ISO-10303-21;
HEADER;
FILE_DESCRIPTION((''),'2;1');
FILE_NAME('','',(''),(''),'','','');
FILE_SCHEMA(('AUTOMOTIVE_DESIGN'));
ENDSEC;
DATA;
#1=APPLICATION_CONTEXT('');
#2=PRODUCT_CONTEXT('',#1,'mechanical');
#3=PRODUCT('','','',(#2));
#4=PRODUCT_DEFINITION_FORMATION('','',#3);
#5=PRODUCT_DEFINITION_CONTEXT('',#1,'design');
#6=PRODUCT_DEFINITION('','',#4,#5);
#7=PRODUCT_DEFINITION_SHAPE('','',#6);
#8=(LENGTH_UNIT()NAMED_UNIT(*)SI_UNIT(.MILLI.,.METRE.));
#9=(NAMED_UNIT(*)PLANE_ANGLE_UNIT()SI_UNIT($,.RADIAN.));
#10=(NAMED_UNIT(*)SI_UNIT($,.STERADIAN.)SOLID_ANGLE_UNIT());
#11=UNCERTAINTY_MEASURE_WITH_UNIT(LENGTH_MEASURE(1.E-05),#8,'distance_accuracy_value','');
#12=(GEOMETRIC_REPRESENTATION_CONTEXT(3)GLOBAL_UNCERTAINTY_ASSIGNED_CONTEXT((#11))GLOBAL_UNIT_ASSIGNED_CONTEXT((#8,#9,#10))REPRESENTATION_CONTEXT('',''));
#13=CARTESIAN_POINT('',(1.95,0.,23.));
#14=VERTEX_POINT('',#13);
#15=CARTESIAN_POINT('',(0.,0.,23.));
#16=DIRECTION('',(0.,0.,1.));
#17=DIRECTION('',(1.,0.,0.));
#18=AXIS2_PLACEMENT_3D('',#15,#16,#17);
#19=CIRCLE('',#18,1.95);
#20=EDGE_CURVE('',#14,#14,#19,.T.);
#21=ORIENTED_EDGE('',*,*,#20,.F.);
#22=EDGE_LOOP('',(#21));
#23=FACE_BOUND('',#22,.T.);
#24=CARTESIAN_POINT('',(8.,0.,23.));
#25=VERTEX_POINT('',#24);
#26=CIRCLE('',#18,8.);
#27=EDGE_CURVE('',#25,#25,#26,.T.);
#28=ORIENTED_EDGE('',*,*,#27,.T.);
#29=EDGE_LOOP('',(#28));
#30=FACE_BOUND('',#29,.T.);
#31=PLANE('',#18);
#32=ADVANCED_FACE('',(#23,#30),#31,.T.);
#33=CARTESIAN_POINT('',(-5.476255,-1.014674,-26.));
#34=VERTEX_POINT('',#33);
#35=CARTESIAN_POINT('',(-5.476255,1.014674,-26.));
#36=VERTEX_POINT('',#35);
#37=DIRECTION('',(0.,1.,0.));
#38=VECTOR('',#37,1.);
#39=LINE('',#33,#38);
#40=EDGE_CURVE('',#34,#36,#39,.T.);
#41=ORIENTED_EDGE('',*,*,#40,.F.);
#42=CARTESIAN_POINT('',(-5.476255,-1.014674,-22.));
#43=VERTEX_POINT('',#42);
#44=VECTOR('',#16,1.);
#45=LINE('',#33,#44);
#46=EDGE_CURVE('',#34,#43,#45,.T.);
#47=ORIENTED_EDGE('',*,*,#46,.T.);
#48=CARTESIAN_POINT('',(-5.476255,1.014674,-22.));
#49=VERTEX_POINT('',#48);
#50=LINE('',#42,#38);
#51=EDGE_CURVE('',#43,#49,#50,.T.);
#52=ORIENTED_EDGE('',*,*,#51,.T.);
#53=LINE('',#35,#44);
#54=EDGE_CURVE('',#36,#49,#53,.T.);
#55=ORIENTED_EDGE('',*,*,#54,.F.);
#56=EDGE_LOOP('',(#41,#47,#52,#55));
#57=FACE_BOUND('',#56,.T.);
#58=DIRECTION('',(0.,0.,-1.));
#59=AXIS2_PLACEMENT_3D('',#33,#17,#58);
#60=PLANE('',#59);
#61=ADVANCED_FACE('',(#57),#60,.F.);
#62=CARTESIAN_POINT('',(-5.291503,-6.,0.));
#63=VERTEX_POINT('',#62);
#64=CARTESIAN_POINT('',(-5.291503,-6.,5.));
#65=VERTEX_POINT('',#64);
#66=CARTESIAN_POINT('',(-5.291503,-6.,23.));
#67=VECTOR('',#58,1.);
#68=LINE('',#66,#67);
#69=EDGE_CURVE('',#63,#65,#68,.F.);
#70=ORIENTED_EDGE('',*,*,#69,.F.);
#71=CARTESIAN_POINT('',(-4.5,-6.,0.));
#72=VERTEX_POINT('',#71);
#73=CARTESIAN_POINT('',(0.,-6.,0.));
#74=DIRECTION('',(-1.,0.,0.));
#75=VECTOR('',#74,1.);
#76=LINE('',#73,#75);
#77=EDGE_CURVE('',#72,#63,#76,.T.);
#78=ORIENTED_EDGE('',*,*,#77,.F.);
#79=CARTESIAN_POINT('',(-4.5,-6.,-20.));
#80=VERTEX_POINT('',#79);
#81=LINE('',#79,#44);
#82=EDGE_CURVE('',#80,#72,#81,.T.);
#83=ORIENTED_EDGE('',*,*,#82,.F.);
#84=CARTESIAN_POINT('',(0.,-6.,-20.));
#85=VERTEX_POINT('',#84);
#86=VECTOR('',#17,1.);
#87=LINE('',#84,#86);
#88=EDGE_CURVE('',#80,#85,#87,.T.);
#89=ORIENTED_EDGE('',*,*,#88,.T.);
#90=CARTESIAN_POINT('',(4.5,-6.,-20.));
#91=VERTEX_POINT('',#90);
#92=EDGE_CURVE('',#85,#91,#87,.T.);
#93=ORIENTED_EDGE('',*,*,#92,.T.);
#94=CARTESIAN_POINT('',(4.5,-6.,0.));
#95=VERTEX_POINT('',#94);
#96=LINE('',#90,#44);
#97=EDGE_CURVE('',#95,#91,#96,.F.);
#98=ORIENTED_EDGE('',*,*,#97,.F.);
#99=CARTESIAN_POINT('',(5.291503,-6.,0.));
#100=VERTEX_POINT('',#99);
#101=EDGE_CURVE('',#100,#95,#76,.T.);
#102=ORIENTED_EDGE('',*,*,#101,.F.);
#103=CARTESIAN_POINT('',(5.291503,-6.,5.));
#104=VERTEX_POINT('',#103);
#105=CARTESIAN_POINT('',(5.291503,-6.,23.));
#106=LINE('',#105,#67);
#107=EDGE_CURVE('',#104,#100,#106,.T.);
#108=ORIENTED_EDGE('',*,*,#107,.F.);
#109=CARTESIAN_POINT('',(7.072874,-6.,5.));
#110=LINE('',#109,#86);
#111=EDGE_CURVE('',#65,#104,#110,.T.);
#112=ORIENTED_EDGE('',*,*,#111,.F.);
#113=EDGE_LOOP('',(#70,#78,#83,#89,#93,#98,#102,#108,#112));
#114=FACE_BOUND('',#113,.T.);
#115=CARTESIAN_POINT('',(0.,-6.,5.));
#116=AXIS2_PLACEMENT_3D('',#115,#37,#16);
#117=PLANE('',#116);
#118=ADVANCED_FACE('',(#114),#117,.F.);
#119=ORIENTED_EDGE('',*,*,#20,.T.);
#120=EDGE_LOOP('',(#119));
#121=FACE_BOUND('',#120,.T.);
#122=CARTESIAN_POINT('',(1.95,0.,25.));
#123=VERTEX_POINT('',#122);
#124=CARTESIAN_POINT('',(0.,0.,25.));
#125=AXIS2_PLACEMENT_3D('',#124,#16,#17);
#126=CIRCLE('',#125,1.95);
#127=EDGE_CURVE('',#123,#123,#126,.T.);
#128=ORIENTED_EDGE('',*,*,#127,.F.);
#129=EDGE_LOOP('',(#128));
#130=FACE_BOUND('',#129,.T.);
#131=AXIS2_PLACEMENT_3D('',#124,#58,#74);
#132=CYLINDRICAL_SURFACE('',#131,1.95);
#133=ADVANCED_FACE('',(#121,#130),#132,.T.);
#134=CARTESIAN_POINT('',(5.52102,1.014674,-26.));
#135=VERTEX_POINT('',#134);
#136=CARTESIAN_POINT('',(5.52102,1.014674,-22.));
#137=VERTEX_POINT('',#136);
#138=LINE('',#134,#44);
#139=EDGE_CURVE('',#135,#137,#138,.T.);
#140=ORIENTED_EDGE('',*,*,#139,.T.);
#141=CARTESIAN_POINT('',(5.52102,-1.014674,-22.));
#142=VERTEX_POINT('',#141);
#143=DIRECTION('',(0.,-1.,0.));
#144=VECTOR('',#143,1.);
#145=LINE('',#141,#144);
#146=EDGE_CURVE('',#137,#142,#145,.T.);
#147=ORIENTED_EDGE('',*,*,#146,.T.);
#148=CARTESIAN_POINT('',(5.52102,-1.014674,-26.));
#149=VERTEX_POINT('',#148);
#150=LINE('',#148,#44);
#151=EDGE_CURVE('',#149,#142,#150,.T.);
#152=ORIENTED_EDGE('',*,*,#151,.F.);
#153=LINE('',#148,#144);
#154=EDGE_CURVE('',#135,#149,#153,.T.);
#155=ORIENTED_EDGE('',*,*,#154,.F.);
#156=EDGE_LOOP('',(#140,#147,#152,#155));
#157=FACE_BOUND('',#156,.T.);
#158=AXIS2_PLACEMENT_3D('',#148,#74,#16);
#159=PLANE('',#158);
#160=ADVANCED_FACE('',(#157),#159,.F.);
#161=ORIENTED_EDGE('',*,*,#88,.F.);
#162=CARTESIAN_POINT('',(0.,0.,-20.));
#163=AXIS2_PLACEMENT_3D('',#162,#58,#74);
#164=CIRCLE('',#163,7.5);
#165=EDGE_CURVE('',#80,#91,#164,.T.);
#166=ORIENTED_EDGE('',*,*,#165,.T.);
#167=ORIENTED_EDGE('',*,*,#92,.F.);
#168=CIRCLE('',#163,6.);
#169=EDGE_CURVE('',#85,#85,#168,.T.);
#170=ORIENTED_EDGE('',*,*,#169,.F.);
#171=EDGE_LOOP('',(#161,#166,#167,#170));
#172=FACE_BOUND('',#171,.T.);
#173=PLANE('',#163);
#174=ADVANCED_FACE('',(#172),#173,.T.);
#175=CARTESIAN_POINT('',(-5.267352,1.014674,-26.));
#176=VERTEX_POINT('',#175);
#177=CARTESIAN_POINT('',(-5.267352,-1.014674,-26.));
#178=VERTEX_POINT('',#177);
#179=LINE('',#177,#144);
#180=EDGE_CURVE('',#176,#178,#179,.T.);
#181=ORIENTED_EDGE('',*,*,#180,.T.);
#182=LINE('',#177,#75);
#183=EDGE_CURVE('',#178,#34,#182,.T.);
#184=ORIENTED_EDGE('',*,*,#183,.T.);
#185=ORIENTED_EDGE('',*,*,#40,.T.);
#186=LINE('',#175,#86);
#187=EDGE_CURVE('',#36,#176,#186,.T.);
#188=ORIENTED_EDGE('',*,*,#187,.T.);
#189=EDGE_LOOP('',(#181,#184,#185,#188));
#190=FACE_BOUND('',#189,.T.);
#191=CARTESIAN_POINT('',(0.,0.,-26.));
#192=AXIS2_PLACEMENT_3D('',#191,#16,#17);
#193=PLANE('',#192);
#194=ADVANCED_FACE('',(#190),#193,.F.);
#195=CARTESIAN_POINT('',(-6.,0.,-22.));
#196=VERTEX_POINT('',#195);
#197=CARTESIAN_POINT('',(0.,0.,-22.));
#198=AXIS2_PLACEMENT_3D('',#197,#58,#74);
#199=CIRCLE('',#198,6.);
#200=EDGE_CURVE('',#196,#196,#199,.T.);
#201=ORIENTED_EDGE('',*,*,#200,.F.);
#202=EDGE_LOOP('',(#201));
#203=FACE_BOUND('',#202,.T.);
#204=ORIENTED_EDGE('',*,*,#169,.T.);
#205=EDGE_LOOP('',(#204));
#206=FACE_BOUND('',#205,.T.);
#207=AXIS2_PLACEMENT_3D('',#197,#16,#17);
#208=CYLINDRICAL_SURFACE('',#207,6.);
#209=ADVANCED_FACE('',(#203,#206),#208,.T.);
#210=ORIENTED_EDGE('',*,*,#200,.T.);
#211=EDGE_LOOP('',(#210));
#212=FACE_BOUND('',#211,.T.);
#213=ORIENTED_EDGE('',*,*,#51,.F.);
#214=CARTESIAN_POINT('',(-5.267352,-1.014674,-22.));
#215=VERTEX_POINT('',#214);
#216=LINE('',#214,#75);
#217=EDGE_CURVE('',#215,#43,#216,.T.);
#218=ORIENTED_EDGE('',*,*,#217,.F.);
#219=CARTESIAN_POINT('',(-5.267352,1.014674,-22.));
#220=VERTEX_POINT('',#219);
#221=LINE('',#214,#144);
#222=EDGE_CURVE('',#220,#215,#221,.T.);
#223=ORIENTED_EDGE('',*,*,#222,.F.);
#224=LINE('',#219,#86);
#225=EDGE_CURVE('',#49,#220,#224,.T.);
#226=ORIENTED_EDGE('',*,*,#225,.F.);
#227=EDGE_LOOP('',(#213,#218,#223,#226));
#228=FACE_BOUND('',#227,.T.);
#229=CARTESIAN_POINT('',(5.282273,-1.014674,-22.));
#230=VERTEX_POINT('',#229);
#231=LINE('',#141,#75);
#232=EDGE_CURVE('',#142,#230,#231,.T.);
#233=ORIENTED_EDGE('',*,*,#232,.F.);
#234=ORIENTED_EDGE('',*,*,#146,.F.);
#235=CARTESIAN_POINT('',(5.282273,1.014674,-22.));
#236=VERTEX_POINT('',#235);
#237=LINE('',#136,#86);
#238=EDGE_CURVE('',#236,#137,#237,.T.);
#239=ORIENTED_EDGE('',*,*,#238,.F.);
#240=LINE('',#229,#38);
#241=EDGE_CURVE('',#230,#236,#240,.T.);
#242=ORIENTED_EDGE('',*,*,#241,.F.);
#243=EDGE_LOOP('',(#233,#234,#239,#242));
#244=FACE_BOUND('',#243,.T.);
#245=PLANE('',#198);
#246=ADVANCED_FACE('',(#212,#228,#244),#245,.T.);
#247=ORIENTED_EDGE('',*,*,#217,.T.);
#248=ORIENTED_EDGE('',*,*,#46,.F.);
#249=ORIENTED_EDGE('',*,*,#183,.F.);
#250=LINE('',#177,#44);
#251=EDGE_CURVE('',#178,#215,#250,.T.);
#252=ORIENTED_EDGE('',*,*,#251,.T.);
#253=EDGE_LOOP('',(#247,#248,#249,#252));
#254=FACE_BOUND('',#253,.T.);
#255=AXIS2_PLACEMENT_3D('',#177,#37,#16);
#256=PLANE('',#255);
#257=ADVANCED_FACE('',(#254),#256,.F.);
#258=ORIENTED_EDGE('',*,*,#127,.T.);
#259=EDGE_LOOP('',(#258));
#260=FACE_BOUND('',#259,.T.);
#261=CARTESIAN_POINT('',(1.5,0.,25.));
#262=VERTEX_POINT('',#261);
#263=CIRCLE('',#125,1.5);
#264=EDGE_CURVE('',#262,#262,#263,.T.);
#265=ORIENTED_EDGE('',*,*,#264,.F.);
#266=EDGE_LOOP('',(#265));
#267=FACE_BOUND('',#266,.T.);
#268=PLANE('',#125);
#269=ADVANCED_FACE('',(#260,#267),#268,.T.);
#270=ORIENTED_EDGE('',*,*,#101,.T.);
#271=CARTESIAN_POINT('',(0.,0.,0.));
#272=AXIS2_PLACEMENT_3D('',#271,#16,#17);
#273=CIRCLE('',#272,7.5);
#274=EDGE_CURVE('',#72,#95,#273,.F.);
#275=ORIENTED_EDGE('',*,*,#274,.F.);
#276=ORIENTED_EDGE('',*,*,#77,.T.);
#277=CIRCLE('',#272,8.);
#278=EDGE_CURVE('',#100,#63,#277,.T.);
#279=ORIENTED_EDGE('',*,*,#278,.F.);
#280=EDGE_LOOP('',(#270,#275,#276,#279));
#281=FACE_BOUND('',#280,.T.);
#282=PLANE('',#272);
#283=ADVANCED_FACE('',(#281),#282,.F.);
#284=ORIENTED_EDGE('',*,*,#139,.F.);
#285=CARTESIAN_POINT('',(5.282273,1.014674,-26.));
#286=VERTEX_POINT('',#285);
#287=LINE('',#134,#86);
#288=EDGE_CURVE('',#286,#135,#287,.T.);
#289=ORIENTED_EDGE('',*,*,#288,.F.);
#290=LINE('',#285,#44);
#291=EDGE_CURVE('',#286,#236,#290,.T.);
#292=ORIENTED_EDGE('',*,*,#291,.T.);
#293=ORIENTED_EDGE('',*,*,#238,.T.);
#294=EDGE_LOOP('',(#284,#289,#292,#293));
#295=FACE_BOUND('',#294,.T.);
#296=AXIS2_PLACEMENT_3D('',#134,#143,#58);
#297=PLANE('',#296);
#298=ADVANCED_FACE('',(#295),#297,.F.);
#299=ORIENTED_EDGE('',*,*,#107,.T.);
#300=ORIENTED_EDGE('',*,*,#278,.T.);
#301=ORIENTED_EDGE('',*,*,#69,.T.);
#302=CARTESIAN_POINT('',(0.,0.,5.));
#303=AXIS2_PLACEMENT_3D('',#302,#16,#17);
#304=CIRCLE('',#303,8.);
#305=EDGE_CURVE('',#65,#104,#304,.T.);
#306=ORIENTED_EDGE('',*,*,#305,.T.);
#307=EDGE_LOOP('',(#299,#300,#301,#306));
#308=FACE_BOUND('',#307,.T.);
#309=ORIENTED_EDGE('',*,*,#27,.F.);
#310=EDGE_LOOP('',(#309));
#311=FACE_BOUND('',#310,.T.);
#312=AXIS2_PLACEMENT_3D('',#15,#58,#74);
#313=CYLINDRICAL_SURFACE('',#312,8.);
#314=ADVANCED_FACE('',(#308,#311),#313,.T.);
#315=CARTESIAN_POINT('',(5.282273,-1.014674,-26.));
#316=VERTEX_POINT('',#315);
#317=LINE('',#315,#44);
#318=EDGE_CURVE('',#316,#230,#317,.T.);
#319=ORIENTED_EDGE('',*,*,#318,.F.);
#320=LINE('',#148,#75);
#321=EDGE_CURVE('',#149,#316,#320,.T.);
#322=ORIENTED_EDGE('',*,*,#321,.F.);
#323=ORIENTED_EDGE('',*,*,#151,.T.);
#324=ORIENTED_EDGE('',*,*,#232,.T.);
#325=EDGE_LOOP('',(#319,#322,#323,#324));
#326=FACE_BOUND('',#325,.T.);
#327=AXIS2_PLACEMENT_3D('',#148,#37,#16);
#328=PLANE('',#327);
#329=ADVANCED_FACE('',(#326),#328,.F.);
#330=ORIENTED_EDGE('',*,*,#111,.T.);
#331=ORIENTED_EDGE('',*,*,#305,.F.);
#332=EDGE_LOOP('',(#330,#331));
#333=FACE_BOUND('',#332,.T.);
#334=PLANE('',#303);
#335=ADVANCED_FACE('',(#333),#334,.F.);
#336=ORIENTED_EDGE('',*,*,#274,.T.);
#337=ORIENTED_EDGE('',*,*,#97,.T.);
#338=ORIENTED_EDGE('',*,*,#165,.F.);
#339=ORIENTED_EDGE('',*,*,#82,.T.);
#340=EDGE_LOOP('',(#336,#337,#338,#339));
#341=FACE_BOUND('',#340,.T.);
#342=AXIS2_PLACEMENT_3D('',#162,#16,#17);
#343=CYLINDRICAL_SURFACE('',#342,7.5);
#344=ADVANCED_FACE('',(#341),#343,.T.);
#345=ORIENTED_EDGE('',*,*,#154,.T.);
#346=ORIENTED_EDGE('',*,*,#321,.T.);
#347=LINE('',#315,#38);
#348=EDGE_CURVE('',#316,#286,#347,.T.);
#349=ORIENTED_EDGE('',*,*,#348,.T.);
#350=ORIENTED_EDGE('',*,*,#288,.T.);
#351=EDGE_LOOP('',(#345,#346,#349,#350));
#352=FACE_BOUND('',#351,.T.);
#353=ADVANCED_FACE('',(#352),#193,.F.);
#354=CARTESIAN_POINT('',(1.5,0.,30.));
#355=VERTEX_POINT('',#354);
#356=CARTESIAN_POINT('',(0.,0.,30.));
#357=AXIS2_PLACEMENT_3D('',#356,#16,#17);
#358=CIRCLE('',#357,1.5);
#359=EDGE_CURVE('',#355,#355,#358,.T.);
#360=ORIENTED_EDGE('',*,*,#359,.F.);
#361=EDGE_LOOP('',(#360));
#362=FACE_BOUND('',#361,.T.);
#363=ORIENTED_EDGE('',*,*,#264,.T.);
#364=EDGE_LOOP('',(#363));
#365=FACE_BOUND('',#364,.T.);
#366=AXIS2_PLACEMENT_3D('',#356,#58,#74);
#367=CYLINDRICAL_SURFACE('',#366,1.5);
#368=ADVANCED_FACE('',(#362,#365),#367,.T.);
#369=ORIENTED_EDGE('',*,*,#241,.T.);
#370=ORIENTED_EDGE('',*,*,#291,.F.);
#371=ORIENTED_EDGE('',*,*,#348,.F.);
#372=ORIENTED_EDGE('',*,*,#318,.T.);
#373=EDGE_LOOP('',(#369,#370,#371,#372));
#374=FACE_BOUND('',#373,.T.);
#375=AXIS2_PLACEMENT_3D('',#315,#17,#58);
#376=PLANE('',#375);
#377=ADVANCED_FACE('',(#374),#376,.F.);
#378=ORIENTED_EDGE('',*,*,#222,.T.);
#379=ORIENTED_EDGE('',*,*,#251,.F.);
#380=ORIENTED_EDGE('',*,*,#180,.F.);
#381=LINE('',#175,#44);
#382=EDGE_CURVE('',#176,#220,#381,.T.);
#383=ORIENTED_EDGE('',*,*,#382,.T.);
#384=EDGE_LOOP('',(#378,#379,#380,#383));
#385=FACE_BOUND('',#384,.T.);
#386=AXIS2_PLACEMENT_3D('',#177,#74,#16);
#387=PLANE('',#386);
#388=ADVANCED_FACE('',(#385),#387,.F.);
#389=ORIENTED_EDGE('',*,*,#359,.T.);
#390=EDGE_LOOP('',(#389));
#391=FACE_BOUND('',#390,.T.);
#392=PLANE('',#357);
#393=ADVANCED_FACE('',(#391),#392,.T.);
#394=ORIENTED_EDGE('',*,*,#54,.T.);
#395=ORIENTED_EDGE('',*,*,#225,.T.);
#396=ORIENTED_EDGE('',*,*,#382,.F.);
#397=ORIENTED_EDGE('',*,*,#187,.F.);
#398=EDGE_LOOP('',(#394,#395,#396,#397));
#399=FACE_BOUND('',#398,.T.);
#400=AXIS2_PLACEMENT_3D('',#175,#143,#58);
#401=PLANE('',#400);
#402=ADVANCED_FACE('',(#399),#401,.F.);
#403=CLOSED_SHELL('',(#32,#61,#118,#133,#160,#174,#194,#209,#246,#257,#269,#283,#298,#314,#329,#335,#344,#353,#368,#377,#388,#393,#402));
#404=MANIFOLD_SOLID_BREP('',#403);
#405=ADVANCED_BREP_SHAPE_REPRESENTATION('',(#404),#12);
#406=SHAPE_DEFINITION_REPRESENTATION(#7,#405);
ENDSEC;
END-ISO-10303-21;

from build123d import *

# Parameters (mm, degrees)
SKETCH_1_R          = 8
EXTRUDE_1_DEPTH     = 23
SKETCH_2_R          = 6
EXTRUDE_2_DEPTH     = 22
SKETCH_4_R          = 1.95
EXTRUDE_4_DEPTH     = 2
SKETCH_5_R          = 7.5
EXTRUDE_6_DEPTH     = 20
CUT_EXTRUDE_2_DEPTH = 25
SKETCH_7_W          = 0.238746812
SKETCH_7_H          = 2.029347906
SKETCH_7_W_2        = 0.208903461
EXTRUDE_7_DEPTH     = 4
SKETCH_8_R          = 1.5
EXTRUDE_8_DEPTH     = 5


with BuildPart() as part:
    # 草图1 → 凸台-拉伸1 (new body)
    with BuildSketch(Plane.XY):
        Circle(SKETCH_1_R)
    extrude(amount=EXTRUDE_1_DEPTH)

    # 草图2 → 凸台-拉伸2 (add)
    with BuildSketch(Plane(origin=(0, 0, 0), x_dir=(-1, 0, 0), z_dir=(0, 0, -1))):
        Circle(SKETCH_2_R)
    extrude(amount=EXTRUDE_2_DEPTH)

    # 草图4 → 凸台-拉伸4 (add)
    with BuildSketch(Plane.XY.offset(23)):
        Circle(SKETCH_4_R)
    extrude(amount=EXTRUDE_4_DEPTH)

    # 草图5 → 凸台-拉伸6 (add)
    with BuildSketch(Plane(origin=(0, 0, 0), x_dir=(-1, 0, 0), z_dir=(0, 0, -1))):
        with Locations(Location((0, 0, 0), (0, 0, 180))):
            Circle(SKETCH_5_R)
    extrude(amount=EXTRUDE_6_DEPTH)

    # 草图6 → 切除-拉伸2 (cut)
    with BuildSketch(Plane(origin=(0, 0, -20), x_dir=(-1, 0, 0), z_dir=(0, 0, -1))):
        Polygon((0, -6), (7.251934426, -6), (7.251934426, -9), (-7.072874317, -9), (-7.072874317, -6), align=None)
    extrude(amount=-CUT_EXTRUDE_2_DEPTH, mode=Mode.SUBTRACT)

    # 草图7 → 凸台-拉伸7 (add)
    with BuildSketch(Plane(origin=(0, 0, -22), x_dir=(-1, 0, 0), z_dir=(0, 0, -1))):
        with Locations((-5.40164663, 0)):
            Rectangle(SKETCH_7_W, SKETCH_7_H)
        with Locations((5.371803278, 0)):
            Rectangle(SKETCH_7_W_2, SKETCH_7_H)
    extrude(amount=EXTRUDE_7_DEPTH)

    # 草图8 → 凸台-拉伸8 (add)
    with BuildSketch(Plane.XY.offset(25)):
        Circle(SKETCH_8_R)
    extrude(amount=EXTRUDE_8_DEPTH)


solid = part.part
